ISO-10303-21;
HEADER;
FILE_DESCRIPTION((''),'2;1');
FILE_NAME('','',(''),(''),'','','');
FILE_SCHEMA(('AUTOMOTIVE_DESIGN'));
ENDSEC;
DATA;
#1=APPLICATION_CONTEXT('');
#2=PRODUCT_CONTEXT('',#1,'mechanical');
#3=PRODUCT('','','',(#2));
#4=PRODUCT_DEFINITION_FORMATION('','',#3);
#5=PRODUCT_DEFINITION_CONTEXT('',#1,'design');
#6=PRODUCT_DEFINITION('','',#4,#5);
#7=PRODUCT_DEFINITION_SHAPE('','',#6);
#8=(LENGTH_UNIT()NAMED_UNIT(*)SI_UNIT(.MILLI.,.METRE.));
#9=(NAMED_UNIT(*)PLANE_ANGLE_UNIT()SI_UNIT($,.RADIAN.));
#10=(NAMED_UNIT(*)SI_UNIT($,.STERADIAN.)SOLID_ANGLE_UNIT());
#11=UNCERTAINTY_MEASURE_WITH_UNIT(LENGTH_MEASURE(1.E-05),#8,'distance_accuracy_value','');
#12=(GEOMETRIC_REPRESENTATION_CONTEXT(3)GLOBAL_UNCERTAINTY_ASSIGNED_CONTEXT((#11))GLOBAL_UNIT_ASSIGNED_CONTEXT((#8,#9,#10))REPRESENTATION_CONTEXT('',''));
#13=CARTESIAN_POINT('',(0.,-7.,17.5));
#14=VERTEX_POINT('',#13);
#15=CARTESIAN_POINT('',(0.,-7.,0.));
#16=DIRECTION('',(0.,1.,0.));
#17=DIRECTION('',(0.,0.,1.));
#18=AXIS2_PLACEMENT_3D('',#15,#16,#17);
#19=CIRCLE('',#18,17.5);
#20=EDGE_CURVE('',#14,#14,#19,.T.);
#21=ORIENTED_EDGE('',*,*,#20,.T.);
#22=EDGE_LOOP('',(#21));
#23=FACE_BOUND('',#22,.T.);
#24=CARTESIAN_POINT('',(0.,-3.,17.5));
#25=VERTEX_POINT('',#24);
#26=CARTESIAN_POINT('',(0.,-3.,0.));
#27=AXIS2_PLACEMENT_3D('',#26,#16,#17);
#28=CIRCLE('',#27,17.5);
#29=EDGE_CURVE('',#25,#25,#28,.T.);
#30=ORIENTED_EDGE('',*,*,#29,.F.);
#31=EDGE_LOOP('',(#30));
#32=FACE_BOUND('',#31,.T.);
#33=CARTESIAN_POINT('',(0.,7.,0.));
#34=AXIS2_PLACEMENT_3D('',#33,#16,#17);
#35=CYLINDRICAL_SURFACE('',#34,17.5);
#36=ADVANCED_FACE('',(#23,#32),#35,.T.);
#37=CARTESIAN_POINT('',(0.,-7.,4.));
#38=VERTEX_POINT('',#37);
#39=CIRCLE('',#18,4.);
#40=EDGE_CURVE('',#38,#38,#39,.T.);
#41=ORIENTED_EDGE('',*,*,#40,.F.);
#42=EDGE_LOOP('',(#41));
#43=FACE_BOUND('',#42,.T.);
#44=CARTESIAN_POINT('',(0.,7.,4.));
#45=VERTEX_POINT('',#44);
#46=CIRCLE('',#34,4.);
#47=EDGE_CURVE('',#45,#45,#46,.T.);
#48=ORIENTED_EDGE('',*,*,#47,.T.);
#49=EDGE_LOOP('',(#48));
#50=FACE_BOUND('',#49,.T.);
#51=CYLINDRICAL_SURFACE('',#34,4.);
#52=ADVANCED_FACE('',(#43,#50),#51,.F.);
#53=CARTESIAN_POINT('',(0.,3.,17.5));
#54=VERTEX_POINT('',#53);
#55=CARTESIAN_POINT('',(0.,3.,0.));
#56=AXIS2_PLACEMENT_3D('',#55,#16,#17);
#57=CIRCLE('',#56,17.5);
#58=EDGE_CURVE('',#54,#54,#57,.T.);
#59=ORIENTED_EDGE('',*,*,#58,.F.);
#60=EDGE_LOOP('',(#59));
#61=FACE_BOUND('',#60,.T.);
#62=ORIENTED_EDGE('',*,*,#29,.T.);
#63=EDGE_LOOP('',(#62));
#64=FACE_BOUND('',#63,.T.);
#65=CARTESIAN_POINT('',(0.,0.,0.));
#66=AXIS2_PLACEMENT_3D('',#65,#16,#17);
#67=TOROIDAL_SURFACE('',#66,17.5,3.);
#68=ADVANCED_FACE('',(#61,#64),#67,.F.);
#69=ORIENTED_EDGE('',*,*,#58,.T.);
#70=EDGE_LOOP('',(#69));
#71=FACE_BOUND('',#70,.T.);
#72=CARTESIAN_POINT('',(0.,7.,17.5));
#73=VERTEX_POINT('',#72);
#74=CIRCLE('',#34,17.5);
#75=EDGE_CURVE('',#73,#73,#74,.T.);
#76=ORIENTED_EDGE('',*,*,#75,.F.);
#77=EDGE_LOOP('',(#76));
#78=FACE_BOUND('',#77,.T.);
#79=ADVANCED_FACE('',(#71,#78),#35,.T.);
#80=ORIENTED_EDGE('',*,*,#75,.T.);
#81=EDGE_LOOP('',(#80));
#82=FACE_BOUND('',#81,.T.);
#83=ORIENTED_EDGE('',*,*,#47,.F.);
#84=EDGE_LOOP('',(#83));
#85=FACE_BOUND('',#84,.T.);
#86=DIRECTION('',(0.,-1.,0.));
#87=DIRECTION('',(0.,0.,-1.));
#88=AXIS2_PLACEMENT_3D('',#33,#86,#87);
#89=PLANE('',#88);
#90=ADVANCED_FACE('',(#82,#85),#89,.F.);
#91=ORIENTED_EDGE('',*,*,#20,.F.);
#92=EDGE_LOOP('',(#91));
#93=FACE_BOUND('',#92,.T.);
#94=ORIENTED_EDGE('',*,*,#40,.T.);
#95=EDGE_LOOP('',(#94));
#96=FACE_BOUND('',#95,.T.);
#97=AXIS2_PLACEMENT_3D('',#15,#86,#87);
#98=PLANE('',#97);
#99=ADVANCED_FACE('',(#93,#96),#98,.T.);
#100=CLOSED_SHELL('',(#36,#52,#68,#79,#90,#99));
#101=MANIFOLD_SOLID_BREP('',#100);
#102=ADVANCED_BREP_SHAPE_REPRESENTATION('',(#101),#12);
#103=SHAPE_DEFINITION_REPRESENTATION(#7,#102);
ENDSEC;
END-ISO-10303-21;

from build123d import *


with BuildPart() as part:
    # Sketch1 → Revolve1 (revolve)
    with BuildSketch(Plane.XY, mode=Mode.PRIVATE) as revolve1_sk:
        with BuildLine():
            Line((-17.5, -7), (-17.5, -3))
            ThreePointArc((-17.5, -3), (-14.5, 0), (-17.5, 3))
            Line((-17.5, 3), (-17.5, 7))
            Line((-17.5, 7), (-4, 7))
            Line((-4, 7), (-4, -7))
            Line((-4, -7), (-17.5, -7))
        make_face()
    revolve(revolve1_sk.sketch.rotate(Axis((0, 7, 0), (0, -1, 0)), 270), axis=Axis((0, 7, 0), (0, -1, 0)))


solid = part.part
